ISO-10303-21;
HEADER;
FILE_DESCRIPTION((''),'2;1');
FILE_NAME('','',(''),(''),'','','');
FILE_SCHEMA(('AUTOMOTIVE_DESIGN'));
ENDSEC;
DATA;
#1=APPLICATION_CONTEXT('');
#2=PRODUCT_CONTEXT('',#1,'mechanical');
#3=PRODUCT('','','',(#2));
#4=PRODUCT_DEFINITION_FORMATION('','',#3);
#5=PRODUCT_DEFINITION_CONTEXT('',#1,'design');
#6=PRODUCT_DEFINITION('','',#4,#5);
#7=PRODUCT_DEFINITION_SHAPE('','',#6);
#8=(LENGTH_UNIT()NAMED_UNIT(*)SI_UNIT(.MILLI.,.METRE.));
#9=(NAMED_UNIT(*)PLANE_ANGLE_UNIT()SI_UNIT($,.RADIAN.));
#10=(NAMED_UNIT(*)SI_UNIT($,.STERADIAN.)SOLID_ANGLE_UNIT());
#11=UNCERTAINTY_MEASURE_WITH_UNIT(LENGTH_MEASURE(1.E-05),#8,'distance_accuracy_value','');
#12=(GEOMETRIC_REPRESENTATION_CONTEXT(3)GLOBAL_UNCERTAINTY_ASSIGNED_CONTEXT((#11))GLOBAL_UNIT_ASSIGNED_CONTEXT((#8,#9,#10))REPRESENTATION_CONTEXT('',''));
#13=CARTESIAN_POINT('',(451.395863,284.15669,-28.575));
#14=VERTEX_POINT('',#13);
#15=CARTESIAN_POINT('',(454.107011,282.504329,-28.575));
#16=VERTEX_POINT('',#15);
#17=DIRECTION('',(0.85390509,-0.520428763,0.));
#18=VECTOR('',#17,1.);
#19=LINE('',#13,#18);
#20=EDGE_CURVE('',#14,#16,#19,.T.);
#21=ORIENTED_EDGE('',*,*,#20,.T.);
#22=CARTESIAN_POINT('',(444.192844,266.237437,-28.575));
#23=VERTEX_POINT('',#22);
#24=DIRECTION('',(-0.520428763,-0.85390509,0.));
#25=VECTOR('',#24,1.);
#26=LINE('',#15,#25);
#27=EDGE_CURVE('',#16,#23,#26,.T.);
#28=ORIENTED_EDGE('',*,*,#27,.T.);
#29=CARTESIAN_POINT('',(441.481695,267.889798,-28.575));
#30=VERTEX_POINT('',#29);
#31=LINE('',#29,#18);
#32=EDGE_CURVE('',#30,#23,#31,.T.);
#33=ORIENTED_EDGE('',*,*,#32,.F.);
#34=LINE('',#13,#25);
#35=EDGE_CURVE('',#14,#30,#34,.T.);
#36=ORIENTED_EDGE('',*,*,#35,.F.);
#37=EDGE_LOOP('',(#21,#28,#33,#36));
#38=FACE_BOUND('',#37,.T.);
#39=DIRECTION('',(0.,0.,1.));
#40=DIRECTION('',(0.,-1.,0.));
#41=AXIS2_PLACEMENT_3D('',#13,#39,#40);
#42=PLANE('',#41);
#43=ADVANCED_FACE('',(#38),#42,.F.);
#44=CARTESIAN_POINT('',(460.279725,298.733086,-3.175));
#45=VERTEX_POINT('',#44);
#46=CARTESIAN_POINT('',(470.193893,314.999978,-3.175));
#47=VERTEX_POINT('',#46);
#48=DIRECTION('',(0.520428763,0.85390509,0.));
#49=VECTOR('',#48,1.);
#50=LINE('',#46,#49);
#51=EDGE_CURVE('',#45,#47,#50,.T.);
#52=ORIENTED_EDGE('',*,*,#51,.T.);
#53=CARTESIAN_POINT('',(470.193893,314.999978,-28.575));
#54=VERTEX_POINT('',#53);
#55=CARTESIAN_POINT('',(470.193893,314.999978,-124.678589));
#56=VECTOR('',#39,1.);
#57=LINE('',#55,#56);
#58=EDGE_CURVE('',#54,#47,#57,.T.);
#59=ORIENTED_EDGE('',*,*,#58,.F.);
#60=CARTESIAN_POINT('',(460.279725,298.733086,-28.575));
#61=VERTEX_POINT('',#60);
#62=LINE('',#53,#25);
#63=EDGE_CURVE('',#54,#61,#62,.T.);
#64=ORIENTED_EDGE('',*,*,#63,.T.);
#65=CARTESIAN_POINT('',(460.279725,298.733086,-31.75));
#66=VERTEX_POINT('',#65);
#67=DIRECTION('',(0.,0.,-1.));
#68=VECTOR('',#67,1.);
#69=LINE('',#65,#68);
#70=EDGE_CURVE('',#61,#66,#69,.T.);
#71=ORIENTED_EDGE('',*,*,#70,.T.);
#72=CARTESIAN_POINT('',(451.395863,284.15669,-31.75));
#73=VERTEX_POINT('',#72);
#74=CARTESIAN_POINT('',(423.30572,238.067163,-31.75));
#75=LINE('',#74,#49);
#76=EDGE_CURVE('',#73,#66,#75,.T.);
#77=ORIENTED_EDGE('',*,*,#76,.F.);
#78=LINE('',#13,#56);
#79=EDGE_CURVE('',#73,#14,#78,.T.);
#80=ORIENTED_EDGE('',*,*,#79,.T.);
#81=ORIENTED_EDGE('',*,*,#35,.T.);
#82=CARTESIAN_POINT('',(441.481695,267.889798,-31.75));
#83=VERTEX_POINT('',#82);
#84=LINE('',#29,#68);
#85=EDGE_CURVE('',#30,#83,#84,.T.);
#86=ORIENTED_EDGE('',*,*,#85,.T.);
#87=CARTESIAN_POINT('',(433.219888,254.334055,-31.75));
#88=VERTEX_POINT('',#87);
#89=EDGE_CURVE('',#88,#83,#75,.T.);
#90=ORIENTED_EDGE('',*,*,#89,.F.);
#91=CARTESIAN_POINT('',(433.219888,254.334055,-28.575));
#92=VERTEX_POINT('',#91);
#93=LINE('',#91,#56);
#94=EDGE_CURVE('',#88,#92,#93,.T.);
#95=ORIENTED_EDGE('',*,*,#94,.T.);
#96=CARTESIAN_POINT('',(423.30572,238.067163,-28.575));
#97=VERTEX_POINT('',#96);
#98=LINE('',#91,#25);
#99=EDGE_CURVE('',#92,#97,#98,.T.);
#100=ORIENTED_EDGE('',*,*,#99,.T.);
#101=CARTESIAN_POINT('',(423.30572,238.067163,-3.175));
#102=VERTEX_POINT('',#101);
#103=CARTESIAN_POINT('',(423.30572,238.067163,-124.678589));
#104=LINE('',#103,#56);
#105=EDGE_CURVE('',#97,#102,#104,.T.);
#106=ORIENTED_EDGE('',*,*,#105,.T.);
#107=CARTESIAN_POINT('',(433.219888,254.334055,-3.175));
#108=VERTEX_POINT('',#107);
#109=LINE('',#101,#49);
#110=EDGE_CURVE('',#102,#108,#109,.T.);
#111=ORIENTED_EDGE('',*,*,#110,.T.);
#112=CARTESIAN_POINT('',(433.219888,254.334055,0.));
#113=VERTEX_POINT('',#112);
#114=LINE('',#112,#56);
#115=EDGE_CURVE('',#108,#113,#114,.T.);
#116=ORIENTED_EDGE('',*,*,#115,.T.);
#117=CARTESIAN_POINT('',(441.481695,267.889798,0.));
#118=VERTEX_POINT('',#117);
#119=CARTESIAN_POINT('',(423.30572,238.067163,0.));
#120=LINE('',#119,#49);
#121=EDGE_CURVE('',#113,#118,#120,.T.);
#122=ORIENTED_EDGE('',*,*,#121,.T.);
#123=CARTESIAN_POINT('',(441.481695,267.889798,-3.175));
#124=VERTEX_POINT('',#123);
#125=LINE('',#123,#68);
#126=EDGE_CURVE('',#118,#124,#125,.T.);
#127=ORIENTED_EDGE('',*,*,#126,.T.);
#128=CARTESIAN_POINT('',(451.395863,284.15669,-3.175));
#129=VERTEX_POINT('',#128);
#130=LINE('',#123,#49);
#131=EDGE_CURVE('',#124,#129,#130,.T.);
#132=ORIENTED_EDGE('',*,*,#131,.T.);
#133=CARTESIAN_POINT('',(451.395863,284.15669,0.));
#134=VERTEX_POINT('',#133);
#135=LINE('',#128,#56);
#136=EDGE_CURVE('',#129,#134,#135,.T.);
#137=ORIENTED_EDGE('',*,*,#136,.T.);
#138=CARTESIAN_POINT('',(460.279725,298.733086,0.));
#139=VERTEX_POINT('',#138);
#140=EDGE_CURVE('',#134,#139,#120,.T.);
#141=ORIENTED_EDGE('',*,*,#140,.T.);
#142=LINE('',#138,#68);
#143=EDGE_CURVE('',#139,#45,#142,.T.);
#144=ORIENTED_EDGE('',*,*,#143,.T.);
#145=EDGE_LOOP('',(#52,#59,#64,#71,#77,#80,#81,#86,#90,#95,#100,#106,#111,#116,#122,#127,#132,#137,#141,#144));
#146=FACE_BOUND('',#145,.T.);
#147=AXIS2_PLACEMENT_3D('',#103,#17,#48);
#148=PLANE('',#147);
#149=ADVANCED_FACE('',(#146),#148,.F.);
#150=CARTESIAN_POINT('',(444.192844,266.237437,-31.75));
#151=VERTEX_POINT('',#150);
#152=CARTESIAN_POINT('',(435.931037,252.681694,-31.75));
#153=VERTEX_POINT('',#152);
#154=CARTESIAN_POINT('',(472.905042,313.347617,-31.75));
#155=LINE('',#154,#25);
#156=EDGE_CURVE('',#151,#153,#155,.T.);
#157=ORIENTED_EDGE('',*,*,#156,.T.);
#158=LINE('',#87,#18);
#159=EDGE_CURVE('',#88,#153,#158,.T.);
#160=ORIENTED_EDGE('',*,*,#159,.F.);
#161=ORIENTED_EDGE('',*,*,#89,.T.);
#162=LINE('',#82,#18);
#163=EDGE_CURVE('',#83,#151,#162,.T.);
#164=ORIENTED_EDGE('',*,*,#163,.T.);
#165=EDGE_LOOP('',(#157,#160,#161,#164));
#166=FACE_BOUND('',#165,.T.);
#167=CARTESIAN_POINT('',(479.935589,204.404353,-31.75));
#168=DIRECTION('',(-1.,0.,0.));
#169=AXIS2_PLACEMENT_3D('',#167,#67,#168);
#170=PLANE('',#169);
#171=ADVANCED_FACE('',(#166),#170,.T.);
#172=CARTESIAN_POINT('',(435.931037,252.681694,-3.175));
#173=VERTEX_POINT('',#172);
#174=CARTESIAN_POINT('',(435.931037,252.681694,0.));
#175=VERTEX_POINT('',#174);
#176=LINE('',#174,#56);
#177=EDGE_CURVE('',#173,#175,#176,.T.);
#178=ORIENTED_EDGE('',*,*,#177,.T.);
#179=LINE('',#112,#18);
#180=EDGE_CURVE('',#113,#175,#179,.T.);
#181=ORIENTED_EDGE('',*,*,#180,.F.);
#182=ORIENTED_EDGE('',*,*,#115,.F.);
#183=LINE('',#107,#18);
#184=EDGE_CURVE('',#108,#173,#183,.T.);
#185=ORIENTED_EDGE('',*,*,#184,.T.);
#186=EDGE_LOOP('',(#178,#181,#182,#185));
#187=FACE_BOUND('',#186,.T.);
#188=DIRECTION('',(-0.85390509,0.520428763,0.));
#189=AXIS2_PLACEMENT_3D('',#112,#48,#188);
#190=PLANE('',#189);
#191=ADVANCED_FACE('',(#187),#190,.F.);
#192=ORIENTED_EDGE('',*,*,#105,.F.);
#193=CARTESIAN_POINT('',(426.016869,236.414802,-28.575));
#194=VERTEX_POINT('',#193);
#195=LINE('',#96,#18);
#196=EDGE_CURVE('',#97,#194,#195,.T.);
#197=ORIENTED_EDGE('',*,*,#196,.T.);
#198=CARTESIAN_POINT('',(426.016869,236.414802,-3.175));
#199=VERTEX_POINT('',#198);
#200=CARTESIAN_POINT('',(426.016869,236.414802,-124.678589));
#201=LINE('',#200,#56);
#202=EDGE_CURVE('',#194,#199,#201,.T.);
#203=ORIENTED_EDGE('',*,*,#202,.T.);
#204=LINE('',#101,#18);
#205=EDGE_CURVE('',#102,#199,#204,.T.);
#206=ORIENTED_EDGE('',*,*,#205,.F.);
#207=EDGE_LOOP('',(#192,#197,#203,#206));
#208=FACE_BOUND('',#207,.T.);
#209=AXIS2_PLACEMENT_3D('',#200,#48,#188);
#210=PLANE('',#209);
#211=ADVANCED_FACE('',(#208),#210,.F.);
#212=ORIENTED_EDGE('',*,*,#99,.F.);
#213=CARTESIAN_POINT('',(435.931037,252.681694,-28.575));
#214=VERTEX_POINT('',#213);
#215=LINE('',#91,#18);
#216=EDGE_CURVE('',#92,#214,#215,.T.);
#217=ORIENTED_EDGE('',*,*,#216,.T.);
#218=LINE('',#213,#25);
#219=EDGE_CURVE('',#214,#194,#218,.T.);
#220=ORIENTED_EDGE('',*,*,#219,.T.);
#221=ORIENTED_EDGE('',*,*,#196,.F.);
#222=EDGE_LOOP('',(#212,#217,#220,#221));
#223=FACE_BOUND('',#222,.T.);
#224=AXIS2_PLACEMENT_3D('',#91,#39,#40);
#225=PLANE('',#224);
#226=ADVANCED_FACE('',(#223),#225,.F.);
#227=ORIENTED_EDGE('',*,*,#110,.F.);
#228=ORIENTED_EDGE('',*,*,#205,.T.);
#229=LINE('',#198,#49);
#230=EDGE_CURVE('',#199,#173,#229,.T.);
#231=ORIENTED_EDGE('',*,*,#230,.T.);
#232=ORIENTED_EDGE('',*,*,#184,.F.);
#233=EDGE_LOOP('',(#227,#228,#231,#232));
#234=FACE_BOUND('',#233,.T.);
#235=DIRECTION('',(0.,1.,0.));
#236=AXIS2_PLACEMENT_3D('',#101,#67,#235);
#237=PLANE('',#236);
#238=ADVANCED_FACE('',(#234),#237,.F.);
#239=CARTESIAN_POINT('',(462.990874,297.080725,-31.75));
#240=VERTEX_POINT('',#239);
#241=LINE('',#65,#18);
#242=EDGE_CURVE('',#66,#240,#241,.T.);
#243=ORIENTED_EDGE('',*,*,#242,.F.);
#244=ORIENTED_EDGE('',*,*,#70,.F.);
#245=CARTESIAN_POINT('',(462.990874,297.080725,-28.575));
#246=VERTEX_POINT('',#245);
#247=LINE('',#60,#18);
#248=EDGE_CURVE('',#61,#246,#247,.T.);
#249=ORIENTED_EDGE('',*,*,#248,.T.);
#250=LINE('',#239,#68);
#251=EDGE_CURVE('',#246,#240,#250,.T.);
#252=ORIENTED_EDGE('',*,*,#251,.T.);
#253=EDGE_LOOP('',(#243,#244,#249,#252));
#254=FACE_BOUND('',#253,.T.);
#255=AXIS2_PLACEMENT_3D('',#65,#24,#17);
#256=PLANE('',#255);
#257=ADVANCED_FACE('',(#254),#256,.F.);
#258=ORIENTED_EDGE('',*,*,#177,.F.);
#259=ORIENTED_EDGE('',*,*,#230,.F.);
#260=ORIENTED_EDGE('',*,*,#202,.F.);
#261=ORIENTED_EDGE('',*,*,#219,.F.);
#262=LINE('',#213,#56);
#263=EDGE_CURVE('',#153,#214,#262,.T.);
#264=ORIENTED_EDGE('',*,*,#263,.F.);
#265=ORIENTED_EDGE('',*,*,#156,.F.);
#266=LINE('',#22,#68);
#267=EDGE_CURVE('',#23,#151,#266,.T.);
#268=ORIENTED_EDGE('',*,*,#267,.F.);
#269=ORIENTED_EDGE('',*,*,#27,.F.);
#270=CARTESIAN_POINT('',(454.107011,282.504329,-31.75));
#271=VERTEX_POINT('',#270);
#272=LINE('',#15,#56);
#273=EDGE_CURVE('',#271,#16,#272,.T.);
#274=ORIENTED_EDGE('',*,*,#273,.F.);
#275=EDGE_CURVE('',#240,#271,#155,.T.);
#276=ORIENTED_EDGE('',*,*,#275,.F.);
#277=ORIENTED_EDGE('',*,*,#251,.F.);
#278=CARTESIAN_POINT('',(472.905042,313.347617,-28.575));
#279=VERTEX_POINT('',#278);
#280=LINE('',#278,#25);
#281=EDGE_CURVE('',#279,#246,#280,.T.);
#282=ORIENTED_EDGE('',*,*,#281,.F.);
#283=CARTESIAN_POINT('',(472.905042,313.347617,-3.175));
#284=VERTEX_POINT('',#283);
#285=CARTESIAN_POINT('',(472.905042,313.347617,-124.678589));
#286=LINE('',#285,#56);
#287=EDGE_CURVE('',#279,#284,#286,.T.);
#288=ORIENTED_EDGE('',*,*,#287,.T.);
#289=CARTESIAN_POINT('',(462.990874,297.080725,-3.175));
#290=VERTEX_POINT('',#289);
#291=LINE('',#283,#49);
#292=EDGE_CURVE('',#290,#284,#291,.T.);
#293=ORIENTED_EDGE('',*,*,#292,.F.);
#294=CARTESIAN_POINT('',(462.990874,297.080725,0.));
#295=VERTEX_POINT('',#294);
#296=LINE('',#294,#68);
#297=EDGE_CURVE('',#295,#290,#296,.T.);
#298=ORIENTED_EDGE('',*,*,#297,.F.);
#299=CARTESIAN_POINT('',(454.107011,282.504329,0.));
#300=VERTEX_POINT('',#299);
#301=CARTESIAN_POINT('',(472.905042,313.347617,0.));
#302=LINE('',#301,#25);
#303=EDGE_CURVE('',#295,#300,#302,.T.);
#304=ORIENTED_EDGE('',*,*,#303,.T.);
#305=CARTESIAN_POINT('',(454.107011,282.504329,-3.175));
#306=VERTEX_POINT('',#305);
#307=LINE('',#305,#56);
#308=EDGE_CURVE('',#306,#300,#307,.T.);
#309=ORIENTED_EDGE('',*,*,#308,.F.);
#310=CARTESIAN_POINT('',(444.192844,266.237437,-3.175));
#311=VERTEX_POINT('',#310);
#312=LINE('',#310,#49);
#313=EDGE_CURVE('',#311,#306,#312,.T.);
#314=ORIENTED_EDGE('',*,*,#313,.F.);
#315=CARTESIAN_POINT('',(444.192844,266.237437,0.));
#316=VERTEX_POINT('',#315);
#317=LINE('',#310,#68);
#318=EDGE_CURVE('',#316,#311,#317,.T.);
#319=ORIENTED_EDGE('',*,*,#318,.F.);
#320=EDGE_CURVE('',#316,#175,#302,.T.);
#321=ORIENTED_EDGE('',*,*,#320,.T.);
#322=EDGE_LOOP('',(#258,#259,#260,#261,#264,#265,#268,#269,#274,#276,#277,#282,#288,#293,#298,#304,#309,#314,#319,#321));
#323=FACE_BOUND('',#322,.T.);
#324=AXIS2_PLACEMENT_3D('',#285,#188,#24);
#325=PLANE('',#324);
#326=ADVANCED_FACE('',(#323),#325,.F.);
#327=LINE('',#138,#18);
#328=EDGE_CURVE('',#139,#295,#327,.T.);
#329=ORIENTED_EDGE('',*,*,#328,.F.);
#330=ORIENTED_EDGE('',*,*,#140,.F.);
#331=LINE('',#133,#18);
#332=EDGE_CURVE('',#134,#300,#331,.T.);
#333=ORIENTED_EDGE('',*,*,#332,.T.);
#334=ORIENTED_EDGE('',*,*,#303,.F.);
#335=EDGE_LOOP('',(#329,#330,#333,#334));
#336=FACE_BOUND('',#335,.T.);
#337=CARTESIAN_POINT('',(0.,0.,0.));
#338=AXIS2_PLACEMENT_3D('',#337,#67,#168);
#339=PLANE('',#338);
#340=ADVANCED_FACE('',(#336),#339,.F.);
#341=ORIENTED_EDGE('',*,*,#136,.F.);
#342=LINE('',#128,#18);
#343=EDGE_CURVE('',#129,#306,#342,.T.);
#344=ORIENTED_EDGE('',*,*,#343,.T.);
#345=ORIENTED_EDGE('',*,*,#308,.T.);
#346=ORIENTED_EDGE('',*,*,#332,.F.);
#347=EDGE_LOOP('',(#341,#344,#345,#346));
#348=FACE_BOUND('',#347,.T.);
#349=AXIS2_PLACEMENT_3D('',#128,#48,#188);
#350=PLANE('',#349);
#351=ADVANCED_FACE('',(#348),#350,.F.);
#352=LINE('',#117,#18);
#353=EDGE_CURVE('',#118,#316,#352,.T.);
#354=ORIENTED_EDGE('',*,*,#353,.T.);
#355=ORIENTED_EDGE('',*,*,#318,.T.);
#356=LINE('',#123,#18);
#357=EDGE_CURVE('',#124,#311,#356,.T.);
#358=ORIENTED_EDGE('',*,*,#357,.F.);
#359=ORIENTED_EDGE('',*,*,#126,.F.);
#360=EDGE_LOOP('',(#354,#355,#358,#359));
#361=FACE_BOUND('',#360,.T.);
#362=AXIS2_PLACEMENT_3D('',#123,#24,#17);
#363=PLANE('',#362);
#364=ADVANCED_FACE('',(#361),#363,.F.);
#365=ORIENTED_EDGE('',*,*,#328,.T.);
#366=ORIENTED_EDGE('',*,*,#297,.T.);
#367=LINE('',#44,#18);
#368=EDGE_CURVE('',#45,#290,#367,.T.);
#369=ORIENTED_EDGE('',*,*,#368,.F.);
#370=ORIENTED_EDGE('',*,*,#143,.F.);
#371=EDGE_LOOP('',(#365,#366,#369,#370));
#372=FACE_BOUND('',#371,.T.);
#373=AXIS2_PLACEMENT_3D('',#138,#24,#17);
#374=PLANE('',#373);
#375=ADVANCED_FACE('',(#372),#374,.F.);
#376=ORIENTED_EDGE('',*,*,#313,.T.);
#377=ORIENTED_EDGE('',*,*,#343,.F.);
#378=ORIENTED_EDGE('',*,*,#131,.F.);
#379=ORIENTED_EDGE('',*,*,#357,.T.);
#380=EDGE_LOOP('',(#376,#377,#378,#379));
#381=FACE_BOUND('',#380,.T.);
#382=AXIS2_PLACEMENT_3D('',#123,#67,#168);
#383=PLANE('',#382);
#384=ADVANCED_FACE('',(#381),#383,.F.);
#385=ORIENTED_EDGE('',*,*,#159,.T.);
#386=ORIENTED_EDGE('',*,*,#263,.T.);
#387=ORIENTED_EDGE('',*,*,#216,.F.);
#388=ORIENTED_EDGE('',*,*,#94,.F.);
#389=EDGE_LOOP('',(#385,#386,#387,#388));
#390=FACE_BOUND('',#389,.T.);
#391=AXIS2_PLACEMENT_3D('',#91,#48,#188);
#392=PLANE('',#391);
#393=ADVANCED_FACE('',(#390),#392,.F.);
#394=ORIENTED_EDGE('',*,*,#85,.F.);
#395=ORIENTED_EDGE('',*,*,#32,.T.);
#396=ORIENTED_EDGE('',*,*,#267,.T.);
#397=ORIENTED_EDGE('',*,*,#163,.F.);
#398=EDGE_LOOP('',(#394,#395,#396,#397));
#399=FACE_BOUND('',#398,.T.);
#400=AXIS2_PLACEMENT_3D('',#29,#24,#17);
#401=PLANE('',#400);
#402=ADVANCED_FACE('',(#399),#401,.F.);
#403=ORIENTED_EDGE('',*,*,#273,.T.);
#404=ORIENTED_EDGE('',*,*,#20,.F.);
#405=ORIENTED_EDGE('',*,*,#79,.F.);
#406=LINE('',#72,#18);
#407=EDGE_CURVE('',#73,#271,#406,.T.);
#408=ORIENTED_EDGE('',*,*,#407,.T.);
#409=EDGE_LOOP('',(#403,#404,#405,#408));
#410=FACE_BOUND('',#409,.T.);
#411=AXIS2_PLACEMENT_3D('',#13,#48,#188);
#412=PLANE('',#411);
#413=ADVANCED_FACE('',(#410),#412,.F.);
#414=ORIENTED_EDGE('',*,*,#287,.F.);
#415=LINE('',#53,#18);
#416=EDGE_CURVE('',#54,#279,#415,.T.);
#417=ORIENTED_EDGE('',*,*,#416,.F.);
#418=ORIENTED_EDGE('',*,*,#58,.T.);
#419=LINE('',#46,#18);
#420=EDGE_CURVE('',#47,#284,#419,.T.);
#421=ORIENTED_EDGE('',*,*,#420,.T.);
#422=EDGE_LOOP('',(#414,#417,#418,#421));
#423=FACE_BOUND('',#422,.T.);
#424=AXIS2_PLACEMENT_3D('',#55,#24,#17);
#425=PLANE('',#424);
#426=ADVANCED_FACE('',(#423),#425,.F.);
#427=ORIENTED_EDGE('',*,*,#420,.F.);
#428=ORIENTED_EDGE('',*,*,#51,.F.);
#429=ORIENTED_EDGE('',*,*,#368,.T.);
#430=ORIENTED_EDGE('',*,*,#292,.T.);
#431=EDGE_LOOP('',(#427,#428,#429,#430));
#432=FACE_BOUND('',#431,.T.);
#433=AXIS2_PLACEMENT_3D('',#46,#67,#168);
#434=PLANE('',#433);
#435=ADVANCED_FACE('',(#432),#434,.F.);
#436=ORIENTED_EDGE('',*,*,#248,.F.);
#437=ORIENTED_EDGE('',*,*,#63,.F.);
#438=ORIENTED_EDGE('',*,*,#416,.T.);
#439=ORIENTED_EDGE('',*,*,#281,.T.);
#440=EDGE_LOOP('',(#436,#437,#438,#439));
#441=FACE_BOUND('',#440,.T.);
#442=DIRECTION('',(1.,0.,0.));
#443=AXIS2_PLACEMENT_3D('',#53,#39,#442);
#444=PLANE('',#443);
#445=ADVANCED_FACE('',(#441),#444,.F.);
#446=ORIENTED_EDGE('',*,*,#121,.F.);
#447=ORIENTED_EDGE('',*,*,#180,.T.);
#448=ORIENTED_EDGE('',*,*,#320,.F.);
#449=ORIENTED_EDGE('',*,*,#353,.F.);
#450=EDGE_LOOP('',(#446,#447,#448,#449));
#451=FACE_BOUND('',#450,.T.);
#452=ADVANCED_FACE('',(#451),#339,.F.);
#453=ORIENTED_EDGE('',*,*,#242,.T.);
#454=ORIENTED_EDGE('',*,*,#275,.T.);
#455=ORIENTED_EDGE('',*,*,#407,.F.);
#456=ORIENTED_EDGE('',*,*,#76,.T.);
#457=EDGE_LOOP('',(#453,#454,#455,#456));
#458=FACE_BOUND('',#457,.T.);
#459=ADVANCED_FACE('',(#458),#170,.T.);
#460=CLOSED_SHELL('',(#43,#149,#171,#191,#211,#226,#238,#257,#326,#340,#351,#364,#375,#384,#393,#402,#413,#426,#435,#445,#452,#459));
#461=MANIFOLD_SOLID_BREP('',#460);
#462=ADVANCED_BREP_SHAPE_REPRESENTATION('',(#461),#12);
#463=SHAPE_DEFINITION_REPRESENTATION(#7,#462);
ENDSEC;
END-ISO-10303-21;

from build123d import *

# Parameters (mm, degrees)
BOSS_EXTRUDE1_DEPTH = 31.75
SKETCH3_W           = 3.175
SKETCH3_H           = 19.05
CUT_EXTRUDE1_DEPTH  = 3.175


with BuildPart() as part:
    # Sketch1 → Boss-Extrude1 (new body)
    with BuildSketch(Plane.XY):
        Polygon((423.30572032, 238.067163043), (470.193893436, 314.999977905), (472.905042097, 313.347616582), (426.01686898, 236.41480172), align=None)
    extrude(amount=-BOSS_EXTRUDE1_DEPTH)

    # Sketch3 → Cut-Extrude1 (cut)
    with BuildSketch(Plane(origin=(205.569888368, -125.288494, 0), x_dir=(0, 0, -1), z_dir=(0.85390509, -0.520428763, 0))):
        with Locations((1.5875, 504.157510823)):
            Rectangle(SKETCH3_W, SKETCH3_H)
        with Locations((30.1625, 504.157510823)):
            Rectangle(SKETCH3_W, SKETCH3_H)
        with Locations((1.5875, 433.112234694)):
            Rectangle(SKETCH3_W, SKETCH3_H)
        with Locations((30.1625, 433.112234694)):
            Rectangle(SKETCH3_W, SKETCH3_H)
        with Locations((30.1625, 468.037234694)):
            Rectangle(SKETCH3_W, SKETCH3_H)
        with Locations((1.5875, 468.037234694)):
            Rectangle(SKETCH3_W, SKETCH3_H)
    extrude(amount=-CUT_EXTRUDE1_DEPTH, mode=Mode.SUBTRACT)


solid = part.part
